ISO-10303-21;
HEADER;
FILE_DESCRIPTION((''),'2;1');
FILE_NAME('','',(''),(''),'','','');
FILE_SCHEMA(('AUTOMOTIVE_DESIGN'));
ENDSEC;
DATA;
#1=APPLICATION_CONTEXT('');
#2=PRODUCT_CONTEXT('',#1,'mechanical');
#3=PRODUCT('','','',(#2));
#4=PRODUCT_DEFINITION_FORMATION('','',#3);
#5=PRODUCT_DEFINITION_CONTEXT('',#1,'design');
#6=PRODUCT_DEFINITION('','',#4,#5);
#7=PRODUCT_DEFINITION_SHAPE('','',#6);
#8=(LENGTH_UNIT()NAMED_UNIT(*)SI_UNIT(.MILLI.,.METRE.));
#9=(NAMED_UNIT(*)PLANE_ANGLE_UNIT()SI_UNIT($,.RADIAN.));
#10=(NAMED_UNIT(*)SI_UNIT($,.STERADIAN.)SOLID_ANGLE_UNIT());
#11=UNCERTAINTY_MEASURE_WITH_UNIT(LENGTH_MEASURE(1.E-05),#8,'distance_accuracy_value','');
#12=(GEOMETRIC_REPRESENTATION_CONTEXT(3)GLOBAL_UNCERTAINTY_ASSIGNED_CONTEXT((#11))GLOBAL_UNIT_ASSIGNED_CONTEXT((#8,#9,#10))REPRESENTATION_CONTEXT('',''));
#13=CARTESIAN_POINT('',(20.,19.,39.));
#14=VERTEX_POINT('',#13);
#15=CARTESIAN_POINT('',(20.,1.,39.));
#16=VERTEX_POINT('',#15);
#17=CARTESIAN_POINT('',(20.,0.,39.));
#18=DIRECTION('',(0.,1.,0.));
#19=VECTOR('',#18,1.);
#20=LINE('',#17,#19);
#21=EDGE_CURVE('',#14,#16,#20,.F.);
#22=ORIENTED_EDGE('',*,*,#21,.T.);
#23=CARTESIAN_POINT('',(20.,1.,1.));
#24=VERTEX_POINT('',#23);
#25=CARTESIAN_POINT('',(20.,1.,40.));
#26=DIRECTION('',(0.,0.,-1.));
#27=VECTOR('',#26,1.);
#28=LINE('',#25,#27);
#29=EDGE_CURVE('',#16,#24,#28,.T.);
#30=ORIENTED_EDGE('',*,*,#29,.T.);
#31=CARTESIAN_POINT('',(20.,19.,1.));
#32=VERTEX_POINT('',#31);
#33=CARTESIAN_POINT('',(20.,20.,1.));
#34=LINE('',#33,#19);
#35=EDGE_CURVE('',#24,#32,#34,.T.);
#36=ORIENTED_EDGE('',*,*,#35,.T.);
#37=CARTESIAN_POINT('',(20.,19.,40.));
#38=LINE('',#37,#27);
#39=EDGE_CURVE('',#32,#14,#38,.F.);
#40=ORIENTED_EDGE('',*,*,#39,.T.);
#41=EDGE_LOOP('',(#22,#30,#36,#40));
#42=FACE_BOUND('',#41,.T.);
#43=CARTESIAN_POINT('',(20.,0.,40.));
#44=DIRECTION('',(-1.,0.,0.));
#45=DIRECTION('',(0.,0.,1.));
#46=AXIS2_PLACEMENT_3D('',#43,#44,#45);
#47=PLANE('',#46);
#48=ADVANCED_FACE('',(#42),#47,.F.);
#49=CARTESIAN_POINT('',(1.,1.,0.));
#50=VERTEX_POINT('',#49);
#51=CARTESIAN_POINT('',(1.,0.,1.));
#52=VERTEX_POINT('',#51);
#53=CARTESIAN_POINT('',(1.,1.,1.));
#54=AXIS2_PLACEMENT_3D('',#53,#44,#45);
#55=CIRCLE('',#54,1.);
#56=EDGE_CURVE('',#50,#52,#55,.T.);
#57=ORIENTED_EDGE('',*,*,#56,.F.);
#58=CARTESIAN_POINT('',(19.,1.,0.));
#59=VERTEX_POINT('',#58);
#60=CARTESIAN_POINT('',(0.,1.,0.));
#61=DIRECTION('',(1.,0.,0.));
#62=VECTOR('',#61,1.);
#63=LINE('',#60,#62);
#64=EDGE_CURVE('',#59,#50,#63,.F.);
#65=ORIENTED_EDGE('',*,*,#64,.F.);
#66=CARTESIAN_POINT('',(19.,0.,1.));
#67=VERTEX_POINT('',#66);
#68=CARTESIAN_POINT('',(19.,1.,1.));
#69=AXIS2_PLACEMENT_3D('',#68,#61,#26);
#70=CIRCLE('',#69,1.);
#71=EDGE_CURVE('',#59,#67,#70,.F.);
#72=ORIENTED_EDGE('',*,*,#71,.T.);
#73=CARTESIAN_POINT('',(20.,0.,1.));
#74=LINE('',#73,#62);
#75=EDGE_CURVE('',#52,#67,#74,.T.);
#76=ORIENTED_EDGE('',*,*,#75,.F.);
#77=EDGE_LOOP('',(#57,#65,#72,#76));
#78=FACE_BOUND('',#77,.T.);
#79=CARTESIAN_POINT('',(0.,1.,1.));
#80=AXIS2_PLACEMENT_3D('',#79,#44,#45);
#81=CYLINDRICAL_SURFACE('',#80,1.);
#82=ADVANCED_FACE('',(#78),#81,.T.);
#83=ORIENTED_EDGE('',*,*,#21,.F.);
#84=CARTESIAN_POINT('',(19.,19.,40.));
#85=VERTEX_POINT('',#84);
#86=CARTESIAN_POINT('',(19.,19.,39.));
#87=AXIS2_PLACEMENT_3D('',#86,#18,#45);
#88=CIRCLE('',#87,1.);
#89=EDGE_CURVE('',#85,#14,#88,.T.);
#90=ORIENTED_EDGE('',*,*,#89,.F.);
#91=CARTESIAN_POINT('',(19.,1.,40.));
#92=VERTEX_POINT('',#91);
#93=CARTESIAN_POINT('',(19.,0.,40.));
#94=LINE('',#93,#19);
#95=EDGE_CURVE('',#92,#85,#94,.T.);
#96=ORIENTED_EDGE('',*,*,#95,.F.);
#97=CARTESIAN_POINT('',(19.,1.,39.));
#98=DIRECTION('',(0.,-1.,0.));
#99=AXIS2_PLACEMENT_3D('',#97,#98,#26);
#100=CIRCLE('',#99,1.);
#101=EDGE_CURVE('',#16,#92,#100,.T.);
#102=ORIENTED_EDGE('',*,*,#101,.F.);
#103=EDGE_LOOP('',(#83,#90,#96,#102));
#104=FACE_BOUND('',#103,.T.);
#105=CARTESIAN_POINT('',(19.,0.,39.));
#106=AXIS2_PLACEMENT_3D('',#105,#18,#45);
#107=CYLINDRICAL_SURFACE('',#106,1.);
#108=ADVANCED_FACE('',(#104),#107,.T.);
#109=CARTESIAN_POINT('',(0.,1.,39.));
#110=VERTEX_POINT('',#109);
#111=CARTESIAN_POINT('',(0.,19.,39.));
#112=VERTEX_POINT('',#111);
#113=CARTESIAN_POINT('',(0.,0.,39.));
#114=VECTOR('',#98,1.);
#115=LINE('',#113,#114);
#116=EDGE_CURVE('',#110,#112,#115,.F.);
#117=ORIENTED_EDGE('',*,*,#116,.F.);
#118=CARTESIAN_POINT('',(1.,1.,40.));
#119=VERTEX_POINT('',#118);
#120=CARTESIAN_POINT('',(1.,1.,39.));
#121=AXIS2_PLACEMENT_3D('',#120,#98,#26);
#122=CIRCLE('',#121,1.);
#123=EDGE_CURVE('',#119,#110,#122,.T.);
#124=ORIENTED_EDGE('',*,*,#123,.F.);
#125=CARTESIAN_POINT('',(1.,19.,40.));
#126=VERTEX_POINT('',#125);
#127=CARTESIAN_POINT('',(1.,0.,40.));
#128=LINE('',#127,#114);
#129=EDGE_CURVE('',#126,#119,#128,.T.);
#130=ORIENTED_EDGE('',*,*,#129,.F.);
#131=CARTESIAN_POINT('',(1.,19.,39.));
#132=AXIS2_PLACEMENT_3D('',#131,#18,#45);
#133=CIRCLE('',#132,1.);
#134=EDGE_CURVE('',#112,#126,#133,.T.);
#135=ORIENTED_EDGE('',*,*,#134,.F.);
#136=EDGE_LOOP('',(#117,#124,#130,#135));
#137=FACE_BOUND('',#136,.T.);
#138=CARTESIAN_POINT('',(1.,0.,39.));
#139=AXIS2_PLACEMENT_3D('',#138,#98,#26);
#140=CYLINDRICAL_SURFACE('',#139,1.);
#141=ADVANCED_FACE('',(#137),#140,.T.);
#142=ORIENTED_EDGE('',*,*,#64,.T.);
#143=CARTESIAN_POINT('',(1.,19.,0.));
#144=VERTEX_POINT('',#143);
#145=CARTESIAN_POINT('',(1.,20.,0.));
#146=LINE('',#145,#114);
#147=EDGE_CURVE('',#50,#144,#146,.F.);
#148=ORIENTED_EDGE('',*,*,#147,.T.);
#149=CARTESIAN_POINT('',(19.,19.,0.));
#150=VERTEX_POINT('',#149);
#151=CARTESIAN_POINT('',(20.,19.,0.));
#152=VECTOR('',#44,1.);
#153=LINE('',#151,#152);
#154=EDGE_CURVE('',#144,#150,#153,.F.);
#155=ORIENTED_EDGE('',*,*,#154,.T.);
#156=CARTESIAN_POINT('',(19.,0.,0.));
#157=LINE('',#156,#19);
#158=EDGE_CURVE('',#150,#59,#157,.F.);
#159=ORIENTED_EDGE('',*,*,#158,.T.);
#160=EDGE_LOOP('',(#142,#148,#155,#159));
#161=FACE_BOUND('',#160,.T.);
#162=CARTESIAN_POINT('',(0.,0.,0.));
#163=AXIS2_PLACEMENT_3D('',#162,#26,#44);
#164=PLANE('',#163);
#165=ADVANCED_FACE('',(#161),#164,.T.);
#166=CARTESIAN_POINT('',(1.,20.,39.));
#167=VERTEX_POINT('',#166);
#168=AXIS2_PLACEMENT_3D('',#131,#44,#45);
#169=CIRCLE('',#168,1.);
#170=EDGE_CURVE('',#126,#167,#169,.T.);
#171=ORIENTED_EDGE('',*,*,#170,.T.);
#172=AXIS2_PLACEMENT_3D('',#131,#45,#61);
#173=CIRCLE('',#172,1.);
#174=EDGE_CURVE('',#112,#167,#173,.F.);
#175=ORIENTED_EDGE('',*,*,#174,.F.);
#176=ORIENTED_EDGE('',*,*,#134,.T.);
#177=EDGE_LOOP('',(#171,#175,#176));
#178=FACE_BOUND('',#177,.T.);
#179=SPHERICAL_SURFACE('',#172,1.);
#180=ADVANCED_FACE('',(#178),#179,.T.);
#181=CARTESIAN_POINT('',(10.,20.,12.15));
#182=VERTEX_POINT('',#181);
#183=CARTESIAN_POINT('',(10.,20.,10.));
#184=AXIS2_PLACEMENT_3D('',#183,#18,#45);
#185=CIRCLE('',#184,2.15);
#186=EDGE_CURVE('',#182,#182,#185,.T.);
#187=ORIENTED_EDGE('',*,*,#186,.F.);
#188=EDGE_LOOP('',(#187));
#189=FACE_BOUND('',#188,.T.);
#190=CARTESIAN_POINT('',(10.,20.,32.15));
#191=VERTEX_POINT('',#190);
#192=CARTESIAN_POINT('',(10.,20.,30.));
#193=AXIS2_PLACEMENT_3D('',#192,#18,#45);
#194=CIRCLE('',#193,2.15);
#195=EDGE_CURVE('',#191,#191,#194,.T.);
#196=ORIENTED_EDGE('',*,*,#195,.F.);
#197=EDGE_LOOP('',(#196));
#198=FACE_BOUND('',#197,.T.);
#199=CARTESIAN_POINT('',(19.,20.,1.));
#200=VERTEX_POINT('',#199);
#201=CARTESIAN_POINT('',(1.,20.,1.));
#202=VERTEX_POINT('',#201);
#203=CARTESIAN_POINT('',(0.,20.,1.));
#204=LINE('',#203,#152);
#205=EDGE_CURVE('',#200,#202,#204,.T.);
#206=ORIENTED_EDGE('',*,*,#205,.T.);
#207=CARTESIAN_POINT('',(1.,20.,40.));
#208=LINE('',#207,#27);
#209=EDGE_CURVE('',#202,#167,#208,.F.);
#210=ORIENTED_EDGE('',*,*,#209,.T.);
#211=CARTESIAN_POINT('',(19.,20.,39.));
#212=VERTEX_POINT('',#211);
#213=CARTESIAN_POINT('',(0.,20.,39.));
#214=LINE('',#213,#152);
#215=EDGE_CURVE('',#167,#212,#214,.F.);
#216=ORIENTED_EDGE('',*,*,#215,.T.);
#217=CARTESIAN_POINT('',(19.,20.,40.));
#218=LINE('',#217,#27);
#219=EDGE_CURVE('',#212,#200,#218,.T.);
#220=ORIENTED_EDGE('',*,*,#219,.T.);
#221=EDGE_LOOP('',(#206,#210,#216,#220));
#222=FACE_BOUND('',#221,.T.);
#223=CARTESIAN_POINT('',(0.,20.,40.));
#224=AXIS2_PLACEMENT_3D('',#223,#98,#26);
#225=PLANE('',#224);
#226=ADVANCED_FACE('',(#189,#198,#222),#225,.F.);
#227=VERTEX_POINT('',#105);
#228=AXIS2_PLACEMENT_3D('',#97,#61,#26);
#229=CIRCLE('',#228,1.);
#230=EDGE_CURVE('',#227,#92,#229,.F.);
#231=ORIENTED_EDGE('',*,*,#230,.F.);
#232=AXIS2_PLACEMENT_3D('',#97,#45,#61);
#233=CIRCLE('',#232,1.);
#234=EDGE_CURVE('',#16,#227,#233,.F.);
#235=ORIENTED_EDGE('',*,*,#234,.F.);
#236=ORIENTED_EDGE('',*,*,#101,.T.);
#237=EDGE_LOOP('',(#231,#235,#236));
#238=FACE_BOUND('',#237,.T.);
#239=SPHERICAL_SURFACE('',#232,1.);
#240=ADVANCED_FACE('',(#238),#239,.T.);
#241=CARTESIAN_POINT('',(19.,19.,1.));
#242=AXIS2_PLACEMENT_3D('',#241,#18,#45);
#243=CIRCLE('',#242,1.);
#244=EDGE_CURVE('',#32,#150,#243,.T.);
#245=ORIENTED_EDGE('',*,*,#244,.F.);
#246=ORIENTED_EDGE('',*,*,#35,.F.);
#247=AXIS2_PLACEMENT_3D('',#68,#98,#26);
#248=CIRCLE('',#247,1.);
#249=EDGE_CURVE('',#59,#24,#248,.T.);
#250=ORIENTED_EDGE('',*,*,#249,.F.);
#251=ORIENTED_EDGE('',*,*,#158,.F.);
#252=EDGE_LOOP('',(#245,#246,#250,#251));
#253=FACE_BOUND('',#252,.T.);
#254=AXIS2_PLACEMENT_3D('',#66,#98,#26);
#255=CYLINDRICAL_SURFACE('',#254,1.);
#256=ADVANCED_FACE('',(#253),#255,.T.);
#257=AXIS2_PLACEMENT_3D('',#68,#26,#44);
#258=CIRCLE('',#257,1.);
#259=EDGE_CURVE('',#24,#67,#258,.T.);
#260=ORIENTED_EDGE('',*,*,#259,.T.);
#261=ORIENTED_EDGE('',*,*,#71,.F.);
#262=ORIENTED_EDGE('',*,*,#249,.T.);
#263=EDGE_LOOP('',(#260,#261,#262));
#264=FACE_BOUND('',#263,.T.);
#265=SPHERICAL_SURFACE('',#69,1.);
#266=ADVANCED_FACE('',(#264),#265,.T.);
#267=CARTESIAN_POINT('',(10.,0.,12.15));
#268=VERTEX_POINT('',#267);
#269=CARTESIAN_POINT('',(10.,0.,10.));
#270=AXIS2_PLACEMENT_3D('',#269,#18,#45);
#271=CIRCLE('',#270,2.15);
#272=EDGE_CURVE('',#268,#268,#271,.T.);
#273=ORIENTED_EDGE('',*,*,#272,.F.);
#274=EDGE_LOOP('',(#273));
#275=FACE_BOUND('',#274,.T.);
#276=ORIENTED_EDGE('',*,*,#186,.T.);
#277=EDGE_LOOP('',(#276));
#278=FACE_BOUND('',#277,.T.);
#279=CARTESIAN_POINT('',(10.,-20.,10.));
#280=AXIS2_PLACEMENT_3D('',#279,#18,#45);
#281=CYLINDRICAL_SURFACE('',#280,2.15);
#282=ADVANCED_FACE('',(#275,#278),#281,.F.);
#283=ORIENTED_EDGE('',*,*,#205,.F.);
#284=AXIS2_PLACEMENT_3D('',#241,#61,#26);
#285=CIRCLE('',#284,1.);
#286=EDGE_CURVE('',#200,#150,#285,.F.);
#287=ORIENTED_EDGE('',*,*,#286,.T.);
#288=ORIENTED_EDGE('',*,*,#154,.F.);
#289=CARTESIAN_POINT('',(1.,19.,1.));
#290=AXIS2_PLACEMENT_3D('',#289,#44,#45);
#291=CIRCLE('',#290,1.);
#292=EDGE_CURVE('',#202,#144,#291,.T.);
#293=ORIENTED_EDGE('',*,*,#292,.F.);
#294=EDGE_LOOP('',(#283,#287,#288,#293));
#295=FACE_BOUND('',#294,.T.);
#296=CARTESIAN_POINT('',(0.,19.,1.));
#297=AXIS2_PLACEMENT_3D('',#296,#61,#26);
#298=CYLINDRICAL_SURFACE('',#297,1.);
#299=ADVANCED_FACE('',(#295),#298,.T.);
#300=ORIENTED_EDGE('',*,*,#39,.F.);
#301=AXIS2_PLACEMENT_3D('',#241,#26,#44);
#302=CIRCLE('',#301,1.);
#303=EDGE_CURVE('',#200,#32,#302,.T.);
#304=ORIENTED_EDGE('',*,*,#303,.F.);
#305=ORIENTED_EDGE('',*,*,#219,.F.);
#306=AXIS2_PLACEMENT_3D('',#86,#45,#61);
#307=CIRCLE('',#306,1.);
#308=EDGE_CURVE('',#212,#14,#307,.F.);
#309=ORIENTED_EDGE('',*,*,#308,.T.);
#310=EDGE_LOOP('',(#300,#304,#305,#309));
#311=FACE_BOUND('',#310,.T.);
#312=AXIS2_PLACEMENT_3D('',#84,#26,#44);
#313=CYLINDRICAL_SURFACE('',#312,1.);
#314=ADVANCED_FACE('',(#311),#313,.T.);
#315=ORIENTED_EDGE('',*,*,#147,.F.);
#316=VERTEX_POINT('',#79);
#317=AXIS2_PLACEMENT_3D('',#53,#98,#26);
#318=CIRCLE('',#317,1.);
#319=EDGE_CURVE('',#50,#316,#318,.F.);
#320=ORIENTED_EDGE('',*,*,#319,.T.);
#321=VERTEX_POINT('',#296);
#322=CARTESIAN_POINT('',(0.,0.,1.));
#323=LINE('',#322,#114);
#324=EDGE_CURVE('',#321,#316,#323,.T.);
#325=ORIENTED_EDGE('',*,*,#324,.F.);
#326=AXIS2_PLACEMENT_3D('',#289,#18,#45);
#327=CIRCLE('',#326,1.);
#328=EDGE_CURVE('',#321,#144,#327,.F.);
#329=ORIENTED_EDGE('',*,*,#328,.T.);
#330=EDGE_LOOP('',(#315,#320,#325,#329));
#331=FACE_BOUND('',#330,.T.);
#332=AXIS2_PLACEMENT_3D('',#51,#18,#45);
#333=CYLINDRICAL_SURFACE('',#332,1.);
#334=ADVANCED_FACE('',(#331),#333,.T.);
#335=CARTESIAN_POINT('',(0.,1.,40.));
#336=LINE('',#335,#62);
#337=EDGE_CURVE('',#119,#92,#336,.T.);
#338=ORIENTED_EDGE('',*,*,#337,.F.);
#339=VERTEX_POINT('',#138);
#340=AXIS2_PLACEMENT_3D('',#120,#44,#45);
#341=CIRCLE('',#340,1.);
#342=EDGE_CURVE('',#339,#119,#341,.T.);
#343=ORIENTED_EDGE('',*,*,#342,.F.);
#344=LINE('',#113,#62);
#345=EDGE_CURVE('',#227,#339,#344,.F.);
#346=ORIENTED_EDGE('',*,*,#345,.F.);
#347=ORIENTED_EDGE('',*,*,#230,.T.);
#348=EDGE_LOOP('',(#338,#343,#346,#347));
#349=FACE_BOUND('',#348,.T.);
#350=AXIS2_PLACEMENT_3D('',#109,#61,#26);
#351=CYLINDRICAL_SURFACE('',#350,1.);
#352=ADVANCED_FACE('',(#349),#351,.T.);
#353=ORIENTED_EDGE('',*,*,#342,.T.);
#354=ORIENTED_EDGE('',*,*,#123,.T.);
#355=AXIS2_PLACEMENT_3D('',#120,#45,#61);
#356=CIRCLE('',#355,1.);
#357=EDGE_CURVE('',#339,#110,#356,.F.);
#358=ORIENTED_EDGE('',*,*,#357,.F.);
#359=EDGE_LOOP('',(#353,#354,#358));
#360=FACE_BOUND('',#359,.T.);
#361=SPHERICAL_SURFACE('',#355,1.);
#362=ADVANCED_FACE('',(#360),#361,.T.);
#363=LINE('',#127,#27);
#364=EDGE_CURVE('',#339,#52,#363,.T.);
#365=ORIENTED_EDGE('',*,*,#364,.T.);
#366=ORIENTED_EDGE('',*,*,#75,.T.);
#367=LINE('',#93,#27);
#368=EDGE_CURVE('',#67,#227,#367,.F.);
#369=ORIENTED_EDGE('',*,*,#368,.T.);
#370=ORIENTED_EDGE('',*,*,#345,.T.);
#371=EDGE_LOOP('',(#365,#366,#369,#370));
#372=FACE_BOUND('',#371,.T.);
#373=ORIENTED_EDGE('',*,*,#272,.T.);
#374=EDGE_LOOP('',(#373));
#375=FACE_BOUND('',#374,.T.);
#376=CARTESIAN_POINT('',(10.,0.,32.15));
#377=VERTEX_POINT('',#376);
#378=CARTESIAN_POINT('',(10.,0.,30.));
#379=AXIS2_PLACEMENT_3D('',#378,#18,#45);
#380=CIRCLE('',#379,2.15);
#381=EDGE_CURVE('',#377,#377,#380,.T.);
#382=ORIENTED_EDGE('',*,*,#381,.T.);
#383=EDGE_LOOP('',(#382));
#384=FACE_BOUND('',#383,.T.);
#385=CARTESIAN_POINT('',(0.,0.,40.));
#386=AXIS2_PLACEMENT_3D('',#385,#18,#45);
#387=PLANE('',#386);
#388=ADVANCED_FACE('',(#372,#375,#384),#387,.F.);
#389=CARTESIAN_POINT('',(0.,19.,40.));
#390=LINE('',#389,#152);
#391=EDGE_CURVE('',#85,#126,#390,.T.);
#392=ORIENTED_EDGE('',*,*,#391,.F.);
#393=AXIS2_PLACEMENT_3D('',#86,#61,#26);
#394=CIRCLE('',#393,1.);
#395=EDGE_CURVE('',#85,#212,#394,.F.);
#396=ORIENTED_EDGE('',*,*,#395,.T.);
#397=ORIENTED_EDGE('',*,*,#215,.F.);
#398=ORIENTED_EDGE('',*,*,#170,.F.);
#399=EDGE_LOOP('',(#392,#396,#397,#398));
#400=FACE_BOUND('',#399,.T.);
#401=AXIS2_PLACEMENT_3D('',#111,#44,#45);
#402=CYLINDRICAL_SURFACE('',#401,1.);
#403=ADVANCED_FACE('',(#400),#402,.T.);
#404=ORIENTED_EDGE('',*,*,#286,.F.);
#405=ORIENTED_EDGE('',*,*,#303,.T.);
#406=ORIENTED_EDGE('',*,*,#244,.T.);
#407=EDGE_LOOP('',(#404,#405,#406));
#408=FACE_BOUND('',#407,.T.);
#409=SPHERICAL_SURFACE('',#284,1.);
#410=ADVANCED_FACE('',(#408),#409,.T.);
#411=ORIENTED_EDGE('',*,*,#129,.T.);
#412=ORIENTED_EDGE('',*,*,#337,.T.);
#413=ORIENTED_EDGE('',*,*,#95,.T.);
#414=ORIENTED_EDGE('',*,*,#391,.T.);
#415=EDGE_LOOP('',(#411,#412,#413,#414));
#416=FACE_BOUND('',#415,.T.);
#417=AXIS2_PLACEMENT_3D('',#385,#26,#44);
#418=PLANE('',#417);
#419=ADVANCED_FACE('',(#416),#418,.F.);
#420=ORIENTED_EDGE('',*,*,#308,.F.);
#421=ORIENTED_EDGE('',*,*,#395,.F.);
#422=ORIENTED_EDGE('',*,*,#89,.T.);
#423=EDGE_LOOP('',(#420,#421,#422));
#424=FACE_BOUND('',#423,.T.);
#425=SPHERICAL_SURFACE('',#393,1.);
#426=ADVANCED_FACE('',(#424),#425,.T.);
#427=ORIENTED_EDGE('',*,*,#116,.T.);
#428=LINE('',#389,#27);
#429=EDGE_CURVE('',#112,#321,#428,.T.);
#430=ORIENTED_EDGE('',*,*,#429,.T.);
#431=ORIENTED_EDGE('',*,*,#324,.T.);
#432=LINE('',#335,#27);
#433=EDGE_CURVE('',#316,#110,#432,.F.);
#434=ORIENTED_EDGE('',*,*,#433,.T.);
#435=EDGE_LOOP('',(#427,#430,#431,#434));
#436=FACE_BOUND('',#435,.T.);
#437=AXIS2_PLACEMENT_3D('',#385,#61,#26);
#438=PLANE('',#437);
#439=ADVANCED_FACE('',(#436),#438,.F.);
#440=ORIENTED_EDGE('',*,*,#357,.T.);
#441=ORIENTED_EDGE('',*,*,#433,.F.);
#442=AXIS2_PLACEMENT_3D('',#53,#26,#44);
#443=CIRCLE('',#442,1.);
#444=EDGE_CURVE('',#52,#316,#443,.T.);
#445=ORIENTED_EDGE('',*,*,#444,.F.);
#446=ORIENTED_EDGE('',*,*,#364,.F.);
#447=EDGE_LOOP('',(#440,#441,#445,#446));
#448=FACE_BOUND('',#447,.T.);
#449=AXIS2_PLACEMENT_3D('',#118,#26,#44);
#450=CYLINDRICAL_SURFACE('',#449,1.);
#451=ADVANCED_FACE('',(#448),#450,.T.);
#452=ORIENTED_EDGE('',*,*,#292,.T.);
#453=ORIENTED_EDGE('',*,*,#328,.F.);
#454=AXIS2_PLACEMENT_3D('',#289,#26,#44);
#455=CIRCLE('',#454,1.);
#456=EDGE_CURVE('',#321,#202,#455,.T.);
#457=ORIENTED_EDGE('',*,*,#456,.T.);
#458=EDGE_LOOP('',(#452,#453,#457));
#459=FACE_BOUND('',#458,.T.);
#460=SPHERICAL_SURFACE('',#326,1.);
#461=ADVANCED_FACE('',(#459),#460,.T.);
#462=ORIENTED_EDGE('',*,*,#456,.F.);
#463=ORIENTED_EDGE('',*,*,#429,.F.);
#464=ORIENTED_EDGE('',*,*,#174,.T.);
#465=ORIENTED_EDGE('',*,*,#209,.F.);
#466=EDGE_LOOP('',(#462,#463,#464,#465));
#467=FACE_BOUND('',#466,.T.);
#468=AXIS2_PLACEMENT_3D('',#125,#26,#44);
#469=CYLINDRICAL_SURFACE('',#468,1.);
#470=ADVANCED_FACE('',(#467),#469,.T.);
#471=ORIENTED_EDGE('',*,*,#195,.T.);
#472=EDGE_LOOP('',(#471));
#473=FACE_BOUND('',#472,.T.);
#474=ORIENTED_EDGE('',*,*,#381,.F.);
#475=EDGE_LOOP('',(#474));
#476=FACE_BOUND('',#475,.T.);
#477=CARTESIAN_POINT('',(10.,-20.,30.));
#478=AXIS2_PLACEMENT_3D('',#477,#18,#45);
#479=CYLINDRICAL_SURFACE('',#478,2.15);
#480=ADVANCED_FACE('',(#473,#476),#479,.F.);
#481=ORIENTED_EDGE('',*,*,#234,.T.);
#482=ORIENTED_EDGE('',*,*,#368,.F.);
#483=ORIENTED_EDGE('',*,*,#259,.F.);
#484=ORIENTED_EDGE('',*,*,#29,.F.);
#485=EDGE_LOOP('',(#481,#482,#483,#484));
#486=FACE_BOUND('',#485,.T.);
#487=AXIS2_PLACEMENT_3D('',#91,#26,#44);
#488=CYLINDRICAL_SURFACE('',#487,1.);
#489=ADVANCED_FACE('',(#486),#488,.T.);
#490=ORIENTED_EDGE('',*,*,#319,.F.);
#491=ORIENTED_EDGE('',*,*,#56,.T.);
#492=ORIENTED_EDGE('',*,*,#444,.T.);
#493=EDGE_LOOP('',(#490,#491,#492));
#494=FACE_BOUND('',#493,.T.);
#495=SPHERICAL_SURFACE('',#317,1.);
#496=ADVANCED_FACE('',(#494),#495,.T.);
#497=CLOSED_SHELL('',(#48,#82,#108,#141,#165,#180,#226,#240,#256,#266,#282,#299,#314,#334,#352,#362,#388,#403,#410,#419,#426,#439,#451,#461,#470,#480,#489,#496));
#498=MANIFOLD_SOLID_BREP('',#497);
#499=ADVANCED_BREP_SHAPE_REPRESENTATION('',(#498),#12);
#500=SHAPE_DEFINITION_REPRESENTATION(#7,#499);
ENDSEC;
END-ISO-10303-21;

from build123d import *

# Parameters (mm, degrees)
SKETCH_1_W          = 20
SKETCH_1_H          = 20
EXTRUDE_1_DEPTH     = 40
SKETCH_2_R          = 2.15
CUT_EXTRUDE_1_DEPTH = 40
FILLET_2_R          = 1


with BuildPart() as part:
    # 草图1 → 凸台-拉伸1 (new body)
    with BuildSketch(Plane.XY):
        with Locations((10, 10)):
            Rectangle(SKETCH_1_W, SKETCH_1_H)
    extrude(amount=EXTRUDE_1_DEPTH)

    # 草图2 → 切除-拉伸1 (cut)
    with BuildSketch(Plane(origin=(0, 20, 0), x_dir=(1, 0, 0), z_dir=(0, 1, 0))):
        with Locations(Location((10, -30, 0), (0, 0, 270))):
            Circle(SKETCH_2_R)
        with Locations(Location((10, -10, 0), (0, 0, 270))):
            Circle(SKETCH_2_R)
    extrude(amount=-CUT_EXTRUDE_1_DEPTH, mode=Mode.SUBTRACT)

    # 圆角2
    fillet_2_edges = [part.edges().sort_by_distance(p)[0] for p in [
        (20, 10, 40),
        (10, 20, 40),
        (0, 10, 40),
        (10, 20, 0),
        (20, 10, 0),
        (10, 0, 0),
        (0, 10, 0),
        (0, 20, 20),
        (20, 20, 20),
        (20, 0, 20),
        (0, 0, 20),
        (10, 0, 40),
    ]]
    fillet(fillet_2_edges, radius=FILLET_2_R)


solid = part.part
